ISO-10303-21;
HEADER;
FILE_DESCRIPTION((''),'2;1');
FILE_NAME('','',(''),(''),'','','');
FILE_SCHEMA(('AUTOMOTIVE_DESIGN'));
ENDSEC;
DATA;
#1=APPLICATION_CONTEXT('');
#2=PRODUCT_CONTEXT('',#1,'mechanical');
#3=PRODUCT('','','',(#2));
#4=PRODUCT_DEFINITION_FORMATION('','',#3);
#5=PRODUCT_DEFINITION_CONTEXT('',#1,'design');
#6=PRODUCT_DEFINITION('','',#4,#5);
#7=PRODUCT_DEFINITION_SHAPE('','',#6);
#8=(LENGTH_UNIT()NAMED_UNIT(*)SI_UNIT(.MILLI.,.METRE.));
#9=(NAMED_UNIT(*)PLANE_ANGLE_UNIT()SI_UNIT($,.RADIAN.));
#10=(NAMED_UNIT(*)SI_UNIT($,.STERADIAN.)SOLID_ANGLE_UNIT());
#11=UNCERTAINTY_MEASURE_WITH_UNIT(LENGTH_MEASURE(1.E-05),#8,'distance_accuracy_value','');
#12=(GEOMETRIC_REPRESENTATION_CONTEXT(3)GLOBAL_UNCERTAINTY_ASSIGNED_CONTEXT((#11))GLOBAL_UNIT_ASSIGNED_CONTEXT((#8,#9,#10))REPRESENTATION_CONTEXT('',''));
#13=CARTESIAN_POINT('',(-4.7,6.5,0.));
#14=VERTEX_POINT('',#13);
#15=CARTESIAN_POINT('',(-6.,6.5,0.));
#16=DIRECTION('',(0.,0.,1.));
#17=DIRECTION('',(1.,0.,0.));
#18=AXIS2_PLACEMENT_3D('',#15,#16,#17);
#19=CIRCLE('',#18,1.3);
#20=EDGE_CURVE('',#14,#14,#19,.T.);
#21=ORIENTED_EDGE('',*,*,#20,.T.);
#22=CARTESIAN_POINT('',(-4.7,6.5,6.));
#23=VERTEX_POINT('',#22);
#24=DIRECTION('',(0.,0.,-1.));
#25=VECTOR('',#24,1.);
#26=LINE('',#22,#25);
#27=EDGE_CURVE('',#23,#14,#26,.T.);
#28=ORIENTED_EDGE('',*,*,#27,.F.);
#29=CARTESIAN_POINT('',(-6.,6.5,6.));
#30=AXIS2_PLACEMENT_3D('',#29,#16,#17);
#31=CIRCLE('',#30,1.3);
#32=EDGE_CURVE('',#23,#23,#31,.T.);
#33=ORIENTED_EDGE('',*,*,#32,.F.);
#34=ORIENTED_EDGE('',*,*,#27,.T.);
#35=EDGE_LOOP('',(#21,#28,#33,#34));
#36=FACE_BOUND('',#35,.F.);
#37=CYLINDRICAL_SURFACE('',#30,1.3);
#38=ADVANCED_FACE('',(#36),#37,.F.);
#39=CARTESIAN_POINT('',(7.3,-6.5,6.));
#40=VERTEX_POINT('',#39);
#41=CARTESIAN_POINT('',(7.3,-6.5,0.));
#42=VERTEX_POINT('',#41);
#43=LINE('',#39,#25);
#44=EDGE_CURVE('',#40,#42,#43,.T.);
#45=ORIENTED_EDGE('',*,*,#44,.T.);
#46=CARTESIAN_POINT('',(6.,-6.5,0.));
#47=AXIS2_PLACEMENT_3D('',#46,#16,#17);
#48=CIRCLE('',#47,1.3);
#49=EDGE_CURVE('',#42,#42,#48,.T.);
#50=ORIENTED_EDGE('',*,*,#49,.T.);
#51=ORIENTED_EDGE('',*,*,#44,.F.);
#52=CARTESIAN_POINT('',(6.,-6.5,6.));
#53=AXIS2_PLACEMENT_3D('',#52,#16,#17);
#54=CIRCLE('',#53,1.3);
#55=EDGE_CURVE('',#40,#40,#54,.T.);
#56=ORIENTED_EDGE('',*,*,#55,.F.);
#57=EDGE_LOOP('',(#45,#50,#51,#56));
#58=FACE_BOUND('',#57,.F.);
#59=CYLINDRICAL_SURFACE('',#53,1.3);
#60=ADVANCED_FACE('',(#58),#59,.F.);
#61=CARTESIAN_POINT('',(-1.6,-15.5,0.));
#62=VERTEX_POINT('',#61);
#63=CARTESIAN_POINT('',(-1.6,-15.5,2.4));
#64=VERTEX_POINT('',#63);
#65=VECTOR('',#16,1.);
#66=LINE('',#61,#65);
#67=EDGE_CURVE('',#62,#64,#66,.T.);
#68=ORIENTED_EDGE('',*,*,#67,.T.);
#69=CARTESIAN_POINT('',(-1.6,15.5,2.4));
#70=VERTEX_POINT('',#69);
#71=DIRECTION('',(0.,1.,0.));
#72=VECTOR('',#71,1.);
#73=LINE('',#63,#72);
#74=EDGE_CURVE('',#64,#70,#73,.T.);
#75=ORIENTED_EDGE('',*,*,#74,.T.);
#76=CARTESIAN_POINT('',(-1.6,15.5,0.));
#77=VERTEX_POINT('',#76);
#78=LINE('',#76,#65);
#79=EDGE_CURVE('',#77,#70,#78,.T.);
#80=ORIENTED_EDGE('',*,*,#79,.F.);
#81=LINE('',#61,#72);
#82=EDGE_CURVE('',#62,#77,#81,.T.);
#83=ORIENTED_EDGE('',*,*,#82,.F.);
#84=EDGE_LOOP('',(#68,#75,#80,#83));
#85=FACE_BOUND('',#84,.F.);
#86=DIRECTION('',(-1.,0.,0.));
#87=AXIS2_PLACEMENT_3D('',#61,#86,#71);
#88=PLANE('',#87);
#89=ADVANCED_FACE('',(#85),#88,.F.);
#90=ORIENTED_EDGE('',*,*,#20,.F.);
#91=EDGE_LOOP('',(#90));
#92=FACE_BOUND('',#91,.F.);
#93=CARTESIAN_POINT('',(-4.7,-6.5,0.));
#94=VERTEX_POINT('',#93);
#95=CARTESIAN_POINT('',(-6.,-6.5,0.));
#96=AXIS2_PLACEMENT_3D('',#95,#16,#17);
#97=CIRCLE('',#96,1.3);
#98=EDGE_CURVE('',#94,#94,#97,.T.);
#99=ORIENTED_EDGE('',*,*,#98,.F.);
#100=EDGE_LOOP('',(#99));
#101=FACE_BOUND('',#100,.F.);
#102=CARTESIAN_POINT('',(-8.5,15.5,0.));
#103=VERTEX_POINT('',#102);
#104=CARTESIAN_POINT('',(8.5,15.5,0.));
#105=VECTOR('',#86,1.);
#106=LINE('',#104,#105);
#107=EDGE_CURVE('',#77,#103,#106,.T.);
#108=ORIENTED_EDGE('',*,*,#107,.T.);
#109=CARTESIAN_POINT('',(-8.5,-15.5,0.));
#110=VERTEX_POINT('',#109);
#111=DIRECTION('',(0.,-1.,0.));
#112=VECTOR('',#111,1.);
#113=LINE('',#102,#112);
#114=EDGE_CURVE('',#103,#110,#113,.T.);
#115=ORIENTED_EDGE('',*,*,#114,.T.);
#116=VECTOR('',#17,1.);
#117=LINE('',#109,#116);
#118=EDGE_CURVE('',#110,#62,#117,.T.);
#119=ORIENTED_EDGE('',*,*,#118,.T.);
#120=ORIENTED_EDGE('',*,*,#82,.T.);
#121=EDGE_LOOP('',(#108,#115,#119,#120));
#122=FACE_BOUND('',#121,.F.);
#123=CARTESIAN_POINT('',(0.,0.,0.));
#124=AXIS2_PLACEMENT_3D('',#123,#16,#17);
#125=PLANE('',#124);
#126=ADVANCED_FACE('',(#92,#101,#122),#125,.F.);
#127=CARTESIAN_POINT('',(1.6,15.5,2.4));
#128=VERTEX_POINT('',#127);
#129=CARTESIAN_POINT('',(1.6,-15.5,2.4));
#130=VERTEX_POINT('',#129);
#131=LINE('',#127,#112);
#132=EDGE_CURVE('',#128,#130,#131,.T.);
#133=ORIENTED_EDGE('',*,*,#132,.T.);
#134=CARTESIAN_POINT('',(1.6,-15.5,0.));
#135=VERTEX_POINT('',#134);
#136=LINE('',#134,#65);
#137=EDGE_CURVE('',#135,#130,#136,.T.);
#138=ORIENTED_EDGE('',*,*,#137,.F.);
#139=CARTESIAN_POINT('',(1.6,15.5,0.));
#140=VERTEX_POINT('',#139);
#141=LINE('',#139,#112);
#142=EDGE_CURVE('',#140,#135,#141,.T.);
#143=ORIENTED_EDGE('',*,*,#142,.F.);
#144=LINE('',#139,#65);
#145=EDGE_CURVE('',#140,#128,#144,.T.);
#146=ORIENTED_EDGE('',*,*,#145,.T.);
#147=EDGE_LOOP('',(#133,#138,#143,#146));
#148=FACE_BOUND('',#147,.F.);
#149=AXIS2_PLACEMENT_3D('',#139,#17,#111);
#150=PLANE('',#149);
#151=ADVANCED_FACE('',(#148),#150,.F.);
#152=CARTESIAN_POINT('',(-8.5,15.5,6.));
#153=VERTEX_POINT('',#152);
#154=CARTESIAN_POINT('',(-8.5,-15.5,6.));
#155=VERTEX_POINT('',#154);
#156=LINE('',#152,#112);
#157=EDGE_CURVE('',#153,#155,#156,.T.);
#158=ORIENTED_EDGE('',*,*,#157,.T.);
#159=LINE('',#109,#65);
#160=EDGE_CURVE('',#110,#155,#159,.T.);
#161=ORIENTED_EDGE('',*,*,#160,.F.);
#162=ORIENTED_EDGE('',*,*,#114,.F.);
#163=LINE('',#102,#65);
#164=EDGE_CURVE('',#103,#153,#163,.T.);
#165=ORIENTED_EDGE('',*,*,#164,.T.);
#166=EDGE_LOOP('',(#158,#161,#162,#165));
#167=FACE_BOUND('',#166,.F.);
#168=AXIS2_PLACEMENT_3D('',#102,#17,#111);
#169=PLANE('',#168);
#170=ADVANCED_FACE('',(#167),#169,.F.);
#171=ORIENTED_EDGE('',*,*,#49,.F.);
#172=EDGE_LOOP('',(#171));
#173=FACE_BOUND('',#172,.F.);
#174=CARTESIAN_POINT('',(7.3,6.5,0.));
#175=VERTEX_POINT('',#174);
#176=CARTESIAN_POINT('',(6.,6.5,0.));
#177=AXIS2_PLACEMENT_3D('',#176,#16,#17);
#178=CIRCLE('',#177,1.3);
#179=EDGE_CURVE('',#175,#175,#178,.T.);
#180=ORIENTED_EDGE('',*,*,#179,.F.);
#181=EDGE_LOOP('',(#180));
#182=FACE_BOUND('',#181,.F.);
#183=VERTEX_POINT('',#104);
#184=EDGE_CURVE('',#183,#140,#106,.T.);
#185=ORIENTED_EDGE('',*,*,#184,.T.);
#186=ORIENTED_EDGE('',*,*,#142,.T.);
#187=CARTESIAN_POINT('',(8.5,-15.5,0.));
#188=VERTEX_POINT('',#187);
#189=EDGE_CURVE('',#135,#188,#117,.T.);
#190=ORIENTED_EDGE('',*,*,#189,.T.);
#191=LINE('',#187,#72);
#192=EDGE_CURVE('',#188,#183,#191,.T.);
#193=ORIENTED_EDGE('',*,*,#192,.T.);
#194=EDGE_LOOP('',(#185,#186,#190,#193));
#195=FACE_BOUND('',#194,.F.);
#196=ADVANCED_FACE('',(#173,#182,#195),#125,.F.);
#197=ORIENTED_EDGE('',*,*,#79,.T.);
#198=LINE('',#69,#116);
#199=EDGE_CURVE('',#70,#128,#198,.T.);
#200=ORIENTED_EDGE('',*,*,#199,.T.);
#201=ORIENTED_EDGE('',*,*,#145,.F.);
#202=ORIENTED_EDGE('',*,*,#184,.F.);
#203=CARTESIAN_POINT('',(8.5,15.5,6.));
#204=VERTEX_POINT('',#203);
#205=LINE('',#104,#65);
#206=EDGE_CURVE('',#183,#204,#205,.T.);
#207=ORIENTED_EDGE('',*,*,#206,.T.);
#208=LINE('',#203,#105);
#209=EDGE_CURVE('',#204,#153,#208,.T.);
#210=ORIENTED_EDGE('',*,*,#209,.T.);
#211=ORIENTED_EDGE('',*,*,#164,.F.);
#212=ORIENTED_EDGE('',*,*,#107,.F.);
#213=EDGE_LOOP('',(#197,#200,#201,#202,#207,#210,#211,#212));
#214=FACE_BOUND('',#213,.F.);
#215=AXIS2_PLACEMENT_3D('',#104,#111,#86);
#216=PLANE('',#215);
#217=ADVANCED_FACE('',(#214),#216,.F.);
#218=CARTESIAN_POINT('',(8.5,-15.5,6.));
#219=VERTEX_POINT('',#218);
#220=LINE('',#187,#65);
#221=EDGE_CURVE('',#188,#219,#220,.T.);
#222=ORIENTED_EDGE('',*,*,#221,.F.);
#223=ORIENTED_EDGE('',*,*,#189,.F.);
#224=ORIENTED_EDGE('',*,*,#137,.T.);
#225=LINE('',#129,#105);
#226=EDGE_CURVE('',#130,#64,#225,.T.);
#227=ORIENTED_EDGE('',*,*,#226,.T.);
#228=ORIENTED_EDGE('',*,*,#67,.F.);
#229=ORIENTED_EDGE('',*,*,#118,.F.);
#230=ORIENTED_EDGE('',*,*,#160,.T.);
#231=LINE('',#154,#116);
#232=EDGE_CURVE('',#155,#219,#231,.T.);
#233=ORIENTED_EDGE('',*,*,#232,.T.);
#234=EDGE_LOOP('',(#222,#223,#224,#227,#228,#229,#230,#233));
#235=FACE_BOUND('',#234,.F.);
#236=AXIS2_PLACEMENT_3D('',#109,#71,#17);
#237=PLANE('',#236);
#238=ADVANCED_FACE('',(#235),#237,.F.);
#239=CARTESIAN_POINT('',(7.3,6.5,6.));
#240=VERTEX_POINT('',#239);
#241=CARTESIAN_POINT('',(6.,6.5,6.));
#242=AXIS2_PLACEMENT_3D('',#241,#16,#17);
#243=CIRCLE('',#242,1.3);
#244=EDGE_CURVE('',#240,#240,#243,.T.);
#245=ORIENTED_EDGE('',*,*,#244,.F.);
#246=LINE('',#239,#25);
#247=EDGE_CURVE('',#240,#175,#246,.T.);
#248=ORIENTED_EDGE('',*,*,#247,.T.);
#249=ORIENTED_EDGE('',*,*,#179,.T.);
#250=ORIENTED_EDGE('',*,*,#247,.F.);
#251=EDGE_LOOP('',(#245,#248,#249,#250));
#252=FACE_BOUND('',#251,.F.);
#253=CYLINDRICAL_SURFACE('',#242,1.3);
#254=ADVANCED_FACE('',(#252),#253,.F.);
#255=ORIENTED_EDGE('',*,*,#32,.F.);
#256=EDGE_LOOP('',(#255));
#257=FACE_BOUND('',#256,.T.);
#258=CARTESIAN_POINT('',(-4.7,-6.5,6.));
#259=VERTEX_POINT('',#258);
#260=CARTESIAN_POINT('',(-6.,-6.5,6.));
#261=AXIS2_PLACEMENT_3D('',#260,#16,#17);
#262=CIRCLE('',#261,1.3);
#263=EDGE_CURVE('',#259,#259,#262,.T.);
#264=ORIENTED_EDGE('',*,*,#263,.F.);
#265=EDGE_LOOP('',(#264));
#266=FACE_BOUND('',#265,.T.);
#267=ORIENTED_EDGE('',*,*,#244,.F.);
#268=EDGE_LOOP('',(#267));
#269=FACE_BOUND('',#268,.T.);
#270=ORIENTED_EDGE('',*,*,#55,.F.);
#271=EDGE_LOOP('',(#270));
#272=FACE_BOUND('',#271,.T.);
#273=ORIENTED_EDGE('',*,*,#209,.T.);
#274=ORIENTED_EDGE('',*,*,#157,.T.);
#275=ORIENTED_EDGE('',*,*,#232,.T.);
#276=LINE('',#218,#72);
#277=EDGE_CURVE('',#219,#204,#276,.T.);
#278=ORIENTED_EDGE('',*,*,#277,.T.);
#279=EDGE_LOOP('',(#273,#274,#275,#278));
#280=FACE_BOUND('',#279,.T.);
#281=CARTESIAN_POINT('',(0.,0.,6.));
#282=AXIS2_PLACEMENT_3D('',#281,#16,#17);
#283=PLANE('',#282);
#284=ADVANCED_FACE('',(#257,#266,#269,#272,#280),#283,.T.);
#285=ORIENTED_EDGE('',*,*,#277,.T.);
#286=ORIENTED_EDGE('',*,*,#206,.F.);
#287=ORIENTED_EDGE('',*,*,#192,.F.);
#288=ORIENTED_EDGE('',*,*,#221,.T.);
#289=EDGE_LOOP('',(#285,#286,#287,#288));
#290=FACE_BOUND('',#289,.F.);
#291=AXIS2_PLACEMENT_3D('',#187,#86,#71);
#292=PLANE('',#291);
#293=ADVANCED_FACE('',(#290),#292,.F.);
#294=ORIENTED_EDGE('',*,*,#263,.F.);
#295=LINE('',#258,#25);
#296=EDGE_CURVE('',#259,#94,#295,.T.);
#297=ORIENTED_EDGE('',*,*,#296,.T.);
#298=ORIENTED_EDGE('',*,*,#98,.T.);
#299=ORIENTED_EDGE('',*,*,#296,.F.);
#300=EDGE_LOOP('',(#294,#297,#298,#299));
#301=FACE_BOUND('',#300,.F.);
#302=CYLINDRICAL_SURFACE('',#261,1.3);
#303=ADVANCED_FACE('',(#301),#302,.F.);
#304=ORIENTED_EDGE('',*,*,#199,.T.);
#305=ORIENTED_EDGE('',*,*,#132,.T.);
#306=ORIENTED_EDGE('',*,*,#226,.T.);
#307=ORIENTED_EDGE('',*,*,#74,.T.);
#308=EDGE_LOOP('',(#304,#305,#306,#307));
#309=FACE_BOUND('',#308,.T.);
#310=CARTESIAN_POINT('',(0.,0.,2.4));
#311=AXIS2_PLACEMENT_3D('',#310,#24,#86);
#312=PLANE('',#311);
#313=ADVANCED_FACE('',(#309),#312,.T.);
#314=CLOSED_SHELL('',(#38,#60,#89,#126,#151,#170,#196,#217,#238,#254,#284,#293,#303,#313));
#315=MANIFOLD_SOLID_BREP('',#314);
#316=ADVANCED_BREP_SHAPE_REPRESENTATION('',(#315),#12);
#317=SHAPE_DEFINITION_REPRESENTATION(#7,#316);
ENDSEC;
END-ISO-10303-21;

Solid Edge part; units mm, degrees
sketch "Sketch1" plane through (0, 0, 0) normal (0, 0, 1) x (1, 0, 0)
  line L0 (-8.5, -15.5) -> (8.5, -15.5)
  line L1 (8.5, -15.5) -> (8.5, 15.5)
  line L2 (8.5, 15.5) -> (-8.5, 15.5)
  line L3 (-8.5, 15.5) -> (-8.5, -15.5)
  dimension "D1" = 17
  dimension "D2" = 31
extrude "Protrusion1" add sketch "Sketch1" along normal blind 6
sketch "Sketch2" plane through (0, 0, 0) normal (0, 0, -1) x (1, 0, 0)
  line L0 (-1.6, -15.5) -> (1.6, -15.5)
  line L1 (1.6, -15.5) -> (1.6, 15.5)
  line L2 (1.6, 15.5) -> (-1.6, 15.5)
  line L3 (-1.6, 15.5) -> (-1.6, -15.5)
  dimension "D1" = 3.2
extrude "ExtrudedCutout_1" cut sketch "Sketch2" against normal blind 2.4
sketch "Sketch3" plane through (0, 0, 6) normal (0, 0, 1) x (1, 0, 0)
  circle A0 centre (-6, 6.5) radius 1.3
  circle A1 centre (-6, -6.5) radius 1.3
  circle A2 centre (6, -6.5) radius 1.3
  circle A3 centre (6, 6.5) radius 1.3
  dimension "D1" = 12
  dimension "D2" = 13
  dimension "D3" = 6
  dimension "D4" = 6.5
extrude "Cutout1" cut sketch "Sketch3" against normal up to next
